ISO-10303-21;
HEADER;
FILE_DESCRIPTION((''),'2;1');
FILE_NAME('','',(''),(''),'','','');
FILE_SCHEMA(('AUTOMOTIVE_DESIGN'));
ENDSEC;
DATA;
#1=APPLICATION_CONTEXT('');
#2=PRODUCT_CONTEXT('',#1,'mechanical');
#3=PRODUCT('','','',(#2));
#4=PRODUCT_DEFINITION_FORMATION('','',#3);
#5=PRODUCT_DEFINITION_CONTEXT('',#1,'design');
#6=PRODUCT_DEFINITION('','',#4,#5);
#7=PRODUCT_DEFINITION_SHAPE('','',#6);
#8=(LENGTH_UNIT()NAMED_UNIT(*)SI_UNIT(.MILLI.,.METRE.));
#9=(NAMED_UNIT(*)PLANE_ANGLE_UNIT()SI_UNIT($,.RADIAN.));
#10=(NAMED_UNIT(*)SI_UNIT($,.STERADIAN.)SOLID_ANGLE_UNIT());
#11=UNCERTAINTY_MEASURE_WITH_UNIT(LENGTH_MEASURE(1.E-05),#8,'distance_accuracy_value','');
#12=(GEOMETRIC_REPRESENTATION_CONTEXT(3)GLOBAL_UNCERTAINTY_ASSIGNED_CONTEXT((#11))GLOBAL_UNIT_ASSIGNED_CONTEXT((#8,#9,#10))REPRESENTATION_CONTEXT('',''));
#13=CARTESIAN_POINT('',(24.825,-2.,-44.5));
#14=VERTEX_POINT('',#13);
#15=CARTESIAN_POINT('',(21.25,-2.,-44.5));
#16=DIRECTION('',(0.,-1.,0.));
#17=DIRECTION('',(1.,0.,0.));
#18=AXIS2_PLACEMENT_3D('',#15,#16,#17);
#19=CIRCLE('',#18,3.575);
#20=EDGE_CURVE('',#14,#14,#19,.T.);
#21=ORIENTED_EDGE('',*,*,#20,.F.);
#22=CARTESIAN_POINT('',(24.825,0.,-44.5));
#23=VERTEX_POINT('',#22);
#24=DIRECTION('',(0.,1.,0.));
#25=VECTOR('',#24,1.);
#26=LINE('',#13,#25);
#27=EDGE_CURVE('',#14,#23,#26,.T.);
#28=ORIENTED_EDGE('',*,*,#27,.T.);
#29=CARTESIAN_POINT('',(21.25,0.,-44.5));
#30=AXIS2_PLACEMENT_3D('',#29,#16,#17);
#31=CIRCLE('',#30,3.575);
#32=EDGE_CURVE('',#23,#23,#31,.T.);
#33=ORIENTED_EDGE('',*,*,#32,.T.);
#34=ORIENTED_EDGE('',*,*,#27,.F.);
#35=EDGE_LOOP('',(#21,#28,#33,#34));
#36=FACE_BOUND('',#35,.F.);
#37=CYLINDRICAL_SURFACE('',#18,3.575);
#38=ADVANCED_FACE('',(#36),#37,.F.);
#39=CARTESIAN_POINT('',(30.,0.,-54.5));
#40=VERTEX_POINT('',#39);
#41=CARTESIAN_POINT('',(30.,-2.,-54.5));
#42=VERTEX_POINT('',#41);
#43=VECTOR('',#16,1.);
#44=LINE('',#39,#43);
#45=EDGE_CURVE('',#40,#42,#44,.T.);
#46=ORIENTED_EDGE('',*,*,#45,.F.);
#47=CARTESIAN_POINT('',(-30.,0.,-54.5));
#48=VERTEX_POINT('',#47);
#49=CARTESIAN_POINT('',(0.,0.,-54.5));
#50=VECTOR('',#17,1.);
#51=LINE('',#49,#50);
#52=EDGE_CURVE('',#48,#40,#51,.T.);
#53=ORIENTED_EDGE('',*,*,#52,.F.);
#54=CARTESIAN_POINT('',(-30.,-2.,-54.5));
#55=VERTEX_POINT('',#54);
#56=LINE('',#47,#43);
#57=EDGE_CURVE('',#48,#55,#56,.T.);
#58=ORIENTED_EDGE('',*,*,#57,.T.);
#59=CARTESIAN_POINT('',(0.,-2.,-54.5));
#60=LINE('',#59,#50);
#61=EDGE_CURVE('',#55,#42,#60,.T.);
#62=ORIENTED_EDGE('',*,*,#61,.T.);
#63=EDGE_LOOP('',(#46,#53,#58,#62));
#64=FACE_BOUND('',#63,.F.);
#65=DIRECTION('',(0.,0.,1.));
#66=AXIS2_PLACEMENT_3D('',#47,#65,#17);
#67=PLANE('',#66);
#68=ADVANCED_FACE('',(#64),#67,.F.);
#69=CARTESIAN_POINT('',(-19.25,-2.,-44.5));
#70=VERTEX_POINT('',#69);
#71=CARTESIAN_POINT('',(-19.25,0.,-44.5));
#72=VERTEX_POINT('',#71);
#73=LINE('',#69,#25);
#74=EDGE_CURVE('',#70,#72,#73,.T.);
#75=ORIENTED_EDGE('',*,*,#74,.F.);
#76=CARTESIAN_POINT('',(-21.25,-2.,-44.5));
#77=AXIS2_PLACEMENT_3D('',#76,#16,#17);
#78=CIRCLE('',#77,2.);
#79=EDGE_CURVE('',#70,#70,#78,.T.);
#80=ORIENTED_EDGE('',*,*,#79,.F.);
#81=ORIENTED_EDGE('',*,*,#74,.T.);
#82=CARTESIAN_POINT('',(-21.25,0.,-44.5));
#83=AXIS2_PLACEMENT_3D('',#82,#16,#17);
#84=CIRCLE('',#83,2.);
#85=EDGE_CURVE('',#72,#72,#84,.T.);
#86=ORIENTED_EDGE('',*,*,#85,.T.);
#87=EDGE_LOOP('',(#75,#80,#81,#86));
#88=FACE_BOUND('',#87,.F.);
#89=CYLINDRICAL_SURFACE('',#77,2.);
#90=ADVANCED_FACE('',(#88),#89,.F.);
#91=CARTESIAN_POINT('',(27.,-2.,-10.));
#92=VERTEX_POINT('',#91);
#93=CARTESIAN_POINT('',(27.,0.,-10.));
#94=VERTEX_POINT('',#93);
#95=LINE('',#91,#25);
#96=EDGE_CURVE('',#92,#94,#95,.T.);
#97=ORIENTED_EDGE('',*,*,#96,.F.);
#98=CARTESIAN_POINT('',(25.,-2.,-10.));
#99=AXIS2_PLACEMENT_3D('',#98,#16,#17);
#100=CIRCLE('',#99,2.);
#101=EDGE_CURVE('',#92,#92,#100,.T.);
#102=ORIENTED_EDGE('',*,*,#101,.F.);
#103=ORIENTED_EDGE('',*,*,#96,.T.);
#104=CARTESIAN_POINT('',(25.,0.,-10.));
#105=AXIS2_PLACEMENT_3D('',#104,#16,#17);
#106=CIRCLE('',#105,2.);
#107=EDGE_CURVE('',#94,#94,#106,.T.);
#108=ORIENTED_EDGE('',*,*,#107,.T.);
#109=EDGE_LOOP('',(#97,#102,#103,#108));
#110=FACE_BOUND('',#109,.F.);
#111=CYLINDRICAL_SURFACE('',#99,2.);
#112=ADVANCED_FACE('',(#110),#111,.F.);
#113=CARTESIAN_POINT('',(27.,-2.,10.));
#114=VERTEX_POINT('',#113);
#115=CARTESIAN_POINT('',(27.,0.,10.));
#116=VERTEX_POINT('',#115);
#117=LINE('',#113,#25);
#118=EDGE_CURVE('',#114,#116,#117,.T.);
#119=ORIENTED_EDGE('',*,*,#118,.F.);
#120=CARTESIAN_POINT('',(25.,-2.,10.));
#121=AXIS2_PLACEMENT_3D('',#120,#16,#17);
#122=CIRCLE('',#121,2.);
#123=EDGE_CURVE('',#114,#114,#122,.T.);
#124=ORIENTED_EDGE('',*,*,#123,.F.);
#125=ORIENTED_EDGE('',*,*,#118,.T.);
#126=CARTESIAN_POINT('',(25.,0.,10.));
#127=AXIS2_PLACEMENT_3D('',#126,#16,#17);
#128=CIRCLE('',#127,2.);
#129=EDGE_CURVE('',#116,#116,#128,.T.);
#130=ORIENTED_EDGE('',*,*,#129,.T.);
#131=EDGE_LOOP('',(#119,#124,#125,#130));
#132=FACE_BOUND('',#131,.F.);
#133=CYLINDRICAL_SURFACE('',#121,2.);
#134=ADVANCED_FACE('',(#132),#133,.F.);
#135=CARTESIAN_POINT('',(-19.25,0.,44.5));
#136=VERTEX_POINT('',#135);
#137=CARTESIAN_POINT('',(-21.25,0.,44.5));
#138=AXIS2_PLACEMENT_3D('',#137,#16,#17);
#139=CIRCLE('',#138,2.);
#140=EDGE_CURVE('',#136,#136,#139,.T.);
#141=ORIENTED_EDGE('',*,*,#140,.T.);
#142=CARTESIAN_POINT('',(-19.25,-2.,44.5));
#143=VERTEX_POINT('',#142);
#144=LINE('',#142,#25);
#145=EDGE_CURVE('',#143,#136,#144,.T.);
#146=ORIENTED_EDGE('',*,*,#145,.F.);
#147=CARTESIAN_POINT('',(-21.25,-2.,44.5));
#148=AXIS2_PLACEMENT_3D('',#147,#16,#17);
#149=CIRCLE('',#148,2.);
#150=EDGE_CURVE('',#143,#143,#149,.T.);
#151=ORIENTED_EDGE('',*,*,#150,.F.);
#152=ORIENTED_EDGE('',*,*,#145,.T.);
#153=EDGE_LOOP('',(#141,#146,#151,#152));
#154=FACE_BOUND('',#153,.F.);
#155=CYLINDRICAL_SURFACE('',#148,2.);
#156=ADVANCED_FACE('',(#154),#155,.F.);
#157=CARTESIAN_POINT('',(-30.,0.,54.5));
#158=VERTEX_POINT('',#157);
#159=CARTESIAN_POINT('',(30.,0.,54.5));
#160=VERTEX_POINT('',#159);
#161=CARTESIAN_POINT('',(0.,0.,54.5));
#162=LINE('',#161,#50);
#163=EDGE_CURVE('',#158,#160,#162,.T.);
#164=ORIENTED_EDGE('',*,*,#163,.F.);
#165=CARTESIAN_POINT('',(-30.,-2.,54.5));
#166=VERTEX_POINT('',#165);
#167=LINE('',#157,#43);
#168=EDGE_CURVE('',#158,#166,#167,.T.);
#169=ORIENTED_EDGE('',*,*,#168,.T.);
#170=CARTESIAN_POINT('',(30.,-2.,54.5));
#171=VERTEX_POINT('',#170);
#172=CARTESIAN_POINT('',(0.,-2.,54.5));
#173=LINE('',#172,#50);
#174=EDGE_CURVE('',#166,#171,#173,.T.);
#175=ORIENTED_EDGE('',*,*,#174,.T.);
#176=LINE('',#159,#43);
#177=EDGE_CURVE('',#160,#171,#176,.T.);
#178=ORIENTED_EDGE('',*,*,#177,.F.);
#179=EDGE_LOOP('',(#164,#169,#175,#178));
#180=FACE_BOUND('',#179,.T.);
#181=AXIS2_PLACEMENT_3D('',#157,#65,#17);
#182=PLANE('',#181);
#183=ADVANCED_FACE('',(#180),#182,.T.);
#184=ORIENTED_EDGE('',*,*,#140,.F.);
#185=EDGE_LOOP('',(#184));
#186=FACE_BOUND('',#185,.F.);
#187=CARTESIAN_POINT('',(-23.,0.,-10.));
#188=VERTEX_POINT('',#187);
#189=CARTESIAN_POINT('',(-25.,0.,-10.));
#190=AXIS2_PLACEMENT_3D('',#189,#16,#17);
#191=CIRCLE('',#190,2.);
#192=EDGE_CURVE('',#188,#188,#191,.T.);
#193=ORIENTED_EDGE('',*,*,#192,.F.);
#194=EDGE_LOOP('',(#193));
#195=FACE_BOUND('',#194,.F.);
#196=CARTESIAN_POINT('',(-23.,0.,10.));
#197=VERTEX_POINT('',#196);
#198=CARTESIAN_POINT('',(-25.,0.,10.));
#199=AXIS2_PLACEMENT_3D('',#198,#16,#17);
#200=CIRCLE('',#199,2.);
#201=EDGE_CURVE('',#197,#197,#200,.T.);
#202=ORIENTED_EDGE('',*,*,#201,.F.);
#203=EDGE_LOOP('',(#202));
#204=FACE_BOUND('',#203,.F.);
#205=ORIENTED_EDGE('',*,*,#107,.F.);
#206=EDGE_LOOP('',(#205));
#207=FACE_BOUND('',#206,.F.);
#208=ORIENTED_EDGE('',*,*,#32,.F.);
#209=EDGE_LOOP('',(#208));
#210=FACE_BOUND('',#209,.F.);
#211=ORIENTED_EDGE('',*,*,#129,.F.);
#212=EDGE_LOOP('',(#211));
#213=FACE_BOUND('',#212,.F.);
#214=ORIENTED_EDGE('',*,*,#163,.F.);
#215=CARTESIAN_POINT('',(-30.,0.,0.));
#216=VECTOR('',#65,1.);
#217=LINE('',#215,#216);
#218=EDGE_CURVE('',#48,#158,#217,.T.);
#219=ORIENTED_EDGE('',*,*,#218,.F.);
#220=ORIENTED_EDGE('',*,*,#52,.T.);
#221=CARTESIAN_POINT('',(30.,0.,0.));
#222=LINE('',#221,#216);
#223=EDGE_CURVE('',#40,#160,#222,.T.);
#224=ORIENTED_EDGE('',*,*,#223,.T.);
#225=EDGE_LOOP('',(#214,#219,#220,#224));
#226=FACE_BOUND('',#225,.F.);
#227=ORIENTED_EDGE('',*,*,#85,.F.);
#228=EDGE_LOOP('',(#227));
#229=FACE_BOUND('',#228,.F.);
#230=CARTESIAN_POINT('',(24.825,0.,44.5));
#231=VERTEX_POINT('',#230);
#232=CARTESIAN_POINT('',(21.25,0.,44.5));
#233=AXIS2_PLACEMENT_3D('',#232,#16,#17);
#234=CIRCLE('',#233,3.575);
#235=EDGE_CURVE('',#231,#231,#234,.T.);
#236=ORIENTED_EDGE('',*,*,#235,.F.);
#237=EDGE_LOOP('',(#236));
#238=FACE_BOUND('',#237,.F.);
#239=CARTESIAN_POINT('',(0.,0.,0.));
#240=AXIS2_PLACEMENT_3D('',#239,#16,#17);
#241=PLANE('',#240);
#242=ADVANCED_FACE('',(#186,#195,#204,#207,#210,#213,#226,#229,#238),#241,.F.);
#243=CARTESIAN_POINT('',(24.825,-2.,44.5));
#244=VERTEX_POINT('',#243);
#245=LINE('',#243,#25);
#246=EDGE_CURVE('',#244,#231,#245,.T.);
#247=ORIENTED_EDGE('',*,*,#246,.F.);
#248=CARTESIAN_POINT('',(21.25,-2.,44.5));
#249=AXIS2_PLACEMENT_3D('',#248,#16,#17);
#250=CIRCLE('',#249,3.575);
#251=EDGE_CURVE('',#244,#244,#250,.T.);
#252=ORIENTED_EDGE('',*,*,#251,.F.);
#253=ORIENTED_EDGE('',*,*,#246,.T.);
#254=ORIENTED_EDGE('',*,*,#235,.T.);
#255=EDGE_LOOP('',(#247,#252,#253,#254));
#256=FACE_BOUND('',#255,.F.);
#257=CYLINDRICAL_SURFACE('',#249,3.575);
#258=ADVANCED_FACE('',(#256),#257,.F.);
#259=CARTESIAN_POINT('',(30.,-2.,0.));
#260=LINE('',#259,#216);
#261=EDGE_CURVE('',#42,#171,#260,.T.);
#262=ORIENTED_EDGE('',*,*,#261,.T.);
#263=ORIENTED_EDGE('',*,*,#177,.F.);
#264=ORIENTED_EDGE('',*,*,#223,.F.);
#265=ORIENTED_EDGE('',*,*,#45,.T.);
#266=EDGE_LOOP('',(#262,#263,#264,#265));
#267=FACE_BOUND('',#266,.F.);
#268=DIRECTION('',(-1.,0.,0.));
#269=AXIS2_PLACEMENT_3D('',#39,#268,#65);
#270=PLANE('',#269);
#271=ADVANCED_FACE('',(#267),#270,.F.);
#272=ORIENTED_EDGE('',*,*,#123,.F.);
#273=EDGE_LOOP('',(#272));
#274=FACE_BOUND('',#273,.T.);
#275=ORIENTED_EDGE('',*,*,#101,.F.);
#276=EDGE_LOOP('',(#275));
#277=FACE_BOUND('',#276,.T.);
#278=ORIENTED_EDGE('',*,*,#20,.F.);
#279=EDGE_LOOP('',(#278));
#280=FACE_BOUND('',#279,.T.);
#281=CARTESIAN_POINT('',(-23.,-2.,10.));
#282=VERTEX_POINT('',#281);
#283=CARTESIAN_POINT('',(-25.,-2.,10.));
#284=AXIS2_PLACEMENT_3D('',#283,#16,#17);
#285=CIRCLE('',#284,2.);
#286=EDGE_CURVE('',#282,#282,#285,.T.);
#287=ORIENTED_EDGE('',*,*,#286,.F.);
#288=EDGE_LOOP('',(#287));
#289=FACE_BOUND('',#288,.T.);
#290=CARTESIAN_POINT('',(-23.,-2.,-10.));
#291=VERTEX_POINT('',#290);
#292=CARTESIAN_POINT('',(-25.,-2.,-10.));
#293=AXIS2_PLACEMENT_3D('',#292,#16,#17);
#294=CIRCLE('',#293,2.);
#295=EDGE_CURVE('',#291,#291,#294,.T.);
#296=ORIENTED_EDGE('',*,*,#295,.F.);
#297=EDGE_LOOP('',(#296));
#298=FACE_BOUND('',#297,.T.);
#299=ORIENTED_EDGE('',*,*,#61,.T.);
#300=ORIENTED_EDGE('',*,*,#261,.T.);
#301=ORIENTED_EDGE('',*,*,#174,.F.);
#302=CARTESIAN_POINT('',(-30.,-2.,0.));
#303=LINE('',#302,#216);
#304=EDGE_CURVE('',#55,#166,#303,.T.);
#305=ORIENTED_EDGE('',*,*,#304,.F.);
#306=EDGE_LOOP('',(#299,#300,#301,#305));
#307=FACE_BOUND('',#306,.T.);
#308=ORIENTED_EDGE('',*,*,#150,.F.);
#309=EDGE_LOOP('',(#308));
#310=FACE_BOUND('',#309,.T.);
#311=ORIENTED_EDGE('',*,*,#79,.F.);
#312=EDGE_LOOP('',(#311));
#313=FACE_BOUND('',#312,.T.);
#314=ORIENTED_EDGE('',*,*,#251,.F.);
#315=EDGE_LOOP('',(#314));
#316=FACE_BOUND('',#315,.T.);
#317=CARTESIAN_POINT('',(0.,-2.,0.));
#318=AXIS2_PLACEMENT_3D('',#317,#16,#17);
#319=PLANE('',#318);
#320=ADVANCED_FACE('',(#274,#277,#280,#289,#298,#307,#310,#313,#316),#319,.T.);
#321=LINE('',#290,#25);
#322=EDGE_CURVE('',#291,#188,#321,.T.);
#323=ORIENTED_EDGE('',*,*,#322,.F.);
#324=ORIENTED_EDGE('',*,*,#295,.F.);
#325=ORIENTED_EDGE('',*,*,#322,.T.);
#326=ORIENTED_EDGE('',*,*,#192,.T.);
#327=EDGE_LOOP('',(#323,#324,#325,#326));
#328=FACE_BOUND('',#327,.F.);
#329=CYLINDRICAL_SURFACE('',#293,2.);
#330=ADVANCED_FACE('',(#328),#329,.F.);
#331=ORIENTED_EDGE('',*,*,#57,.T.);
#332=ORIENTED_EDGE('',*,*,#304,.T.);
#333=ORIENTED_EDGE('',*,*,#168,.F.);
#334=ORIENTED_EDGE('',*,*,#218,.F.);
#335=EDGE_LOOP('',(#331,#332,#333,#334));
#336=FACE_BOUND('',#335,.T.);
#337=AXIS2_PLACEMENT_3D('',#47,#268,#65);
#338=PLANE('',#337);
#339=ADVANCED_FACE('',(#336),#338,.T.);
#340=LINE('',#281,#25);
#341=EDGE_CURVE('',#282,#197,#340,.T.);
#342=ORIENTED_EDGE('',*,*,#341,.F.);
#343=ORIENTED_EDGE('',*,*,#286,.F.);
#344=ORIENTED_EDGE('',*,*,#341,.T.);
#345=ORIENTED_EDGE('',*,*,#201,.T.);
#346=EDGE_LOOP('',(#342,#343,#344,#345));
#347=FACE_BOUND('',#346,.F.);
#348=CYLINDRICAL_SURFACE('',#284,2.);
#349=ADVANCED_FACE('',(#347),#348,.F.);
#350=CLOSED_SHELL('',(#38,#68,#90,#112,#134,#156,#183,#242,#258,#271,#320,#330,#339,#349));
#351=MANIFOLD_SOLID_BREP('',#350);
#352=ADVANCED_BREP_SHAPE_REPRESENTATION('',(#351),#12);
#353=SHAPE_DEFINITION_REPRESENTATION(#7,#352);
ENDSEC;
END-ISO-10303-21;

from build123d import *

# Parameters (mm, degrees)
F0_W     = 60
F0_H     = 109
F1_DEPTH = 2
F2_R     = 2
F2_R_2   = 3.575
F3_DEPTH = 2
F4_R     = 2
F5_DEPTH = 2


with BuildPart() as f1:
    # F0 (on Front) → F1 (new body)
    with BuildSketch(Plane.XZ):
        Rectangle(F0_W, F0_H)
    extrude(amount=F1_DEPTH)

    # F2 (on face) → F3 (cut, through all)
    with BuildSketch(Plane.XZ.offset(2)):
        with Locations((-21.25, 44.5)):
            Circle(F2_R)
        with Locations((-21.25, -44.5)):
            Circle(F2_R)
        with Locations((21.25, 44.5)):
            Circle(F2_R_2)
        with Locations((21.25, -44.5)):
            Circle(F2_R_2)
    extrude(amount=-F3_DEPTH, mode=Mode.SUBTRACT)

    # F4 (on face) → F5 (cut, through all)
    with BuildSketch(Plane.XZ.offset(2)):
        with Locations((-25, 10)):
            Circle(F4_R)
        with Locations((25, 10)):
            Circle(F4_R)
        with Locations((-25, -10)):
            Circle(F4_R)
        with Locations((25, -10)):
            Circle(F4_R)
    extrude(amount=-F5_DEPTH, mode=Mode.SUBTRACT)


solid = f1.part
